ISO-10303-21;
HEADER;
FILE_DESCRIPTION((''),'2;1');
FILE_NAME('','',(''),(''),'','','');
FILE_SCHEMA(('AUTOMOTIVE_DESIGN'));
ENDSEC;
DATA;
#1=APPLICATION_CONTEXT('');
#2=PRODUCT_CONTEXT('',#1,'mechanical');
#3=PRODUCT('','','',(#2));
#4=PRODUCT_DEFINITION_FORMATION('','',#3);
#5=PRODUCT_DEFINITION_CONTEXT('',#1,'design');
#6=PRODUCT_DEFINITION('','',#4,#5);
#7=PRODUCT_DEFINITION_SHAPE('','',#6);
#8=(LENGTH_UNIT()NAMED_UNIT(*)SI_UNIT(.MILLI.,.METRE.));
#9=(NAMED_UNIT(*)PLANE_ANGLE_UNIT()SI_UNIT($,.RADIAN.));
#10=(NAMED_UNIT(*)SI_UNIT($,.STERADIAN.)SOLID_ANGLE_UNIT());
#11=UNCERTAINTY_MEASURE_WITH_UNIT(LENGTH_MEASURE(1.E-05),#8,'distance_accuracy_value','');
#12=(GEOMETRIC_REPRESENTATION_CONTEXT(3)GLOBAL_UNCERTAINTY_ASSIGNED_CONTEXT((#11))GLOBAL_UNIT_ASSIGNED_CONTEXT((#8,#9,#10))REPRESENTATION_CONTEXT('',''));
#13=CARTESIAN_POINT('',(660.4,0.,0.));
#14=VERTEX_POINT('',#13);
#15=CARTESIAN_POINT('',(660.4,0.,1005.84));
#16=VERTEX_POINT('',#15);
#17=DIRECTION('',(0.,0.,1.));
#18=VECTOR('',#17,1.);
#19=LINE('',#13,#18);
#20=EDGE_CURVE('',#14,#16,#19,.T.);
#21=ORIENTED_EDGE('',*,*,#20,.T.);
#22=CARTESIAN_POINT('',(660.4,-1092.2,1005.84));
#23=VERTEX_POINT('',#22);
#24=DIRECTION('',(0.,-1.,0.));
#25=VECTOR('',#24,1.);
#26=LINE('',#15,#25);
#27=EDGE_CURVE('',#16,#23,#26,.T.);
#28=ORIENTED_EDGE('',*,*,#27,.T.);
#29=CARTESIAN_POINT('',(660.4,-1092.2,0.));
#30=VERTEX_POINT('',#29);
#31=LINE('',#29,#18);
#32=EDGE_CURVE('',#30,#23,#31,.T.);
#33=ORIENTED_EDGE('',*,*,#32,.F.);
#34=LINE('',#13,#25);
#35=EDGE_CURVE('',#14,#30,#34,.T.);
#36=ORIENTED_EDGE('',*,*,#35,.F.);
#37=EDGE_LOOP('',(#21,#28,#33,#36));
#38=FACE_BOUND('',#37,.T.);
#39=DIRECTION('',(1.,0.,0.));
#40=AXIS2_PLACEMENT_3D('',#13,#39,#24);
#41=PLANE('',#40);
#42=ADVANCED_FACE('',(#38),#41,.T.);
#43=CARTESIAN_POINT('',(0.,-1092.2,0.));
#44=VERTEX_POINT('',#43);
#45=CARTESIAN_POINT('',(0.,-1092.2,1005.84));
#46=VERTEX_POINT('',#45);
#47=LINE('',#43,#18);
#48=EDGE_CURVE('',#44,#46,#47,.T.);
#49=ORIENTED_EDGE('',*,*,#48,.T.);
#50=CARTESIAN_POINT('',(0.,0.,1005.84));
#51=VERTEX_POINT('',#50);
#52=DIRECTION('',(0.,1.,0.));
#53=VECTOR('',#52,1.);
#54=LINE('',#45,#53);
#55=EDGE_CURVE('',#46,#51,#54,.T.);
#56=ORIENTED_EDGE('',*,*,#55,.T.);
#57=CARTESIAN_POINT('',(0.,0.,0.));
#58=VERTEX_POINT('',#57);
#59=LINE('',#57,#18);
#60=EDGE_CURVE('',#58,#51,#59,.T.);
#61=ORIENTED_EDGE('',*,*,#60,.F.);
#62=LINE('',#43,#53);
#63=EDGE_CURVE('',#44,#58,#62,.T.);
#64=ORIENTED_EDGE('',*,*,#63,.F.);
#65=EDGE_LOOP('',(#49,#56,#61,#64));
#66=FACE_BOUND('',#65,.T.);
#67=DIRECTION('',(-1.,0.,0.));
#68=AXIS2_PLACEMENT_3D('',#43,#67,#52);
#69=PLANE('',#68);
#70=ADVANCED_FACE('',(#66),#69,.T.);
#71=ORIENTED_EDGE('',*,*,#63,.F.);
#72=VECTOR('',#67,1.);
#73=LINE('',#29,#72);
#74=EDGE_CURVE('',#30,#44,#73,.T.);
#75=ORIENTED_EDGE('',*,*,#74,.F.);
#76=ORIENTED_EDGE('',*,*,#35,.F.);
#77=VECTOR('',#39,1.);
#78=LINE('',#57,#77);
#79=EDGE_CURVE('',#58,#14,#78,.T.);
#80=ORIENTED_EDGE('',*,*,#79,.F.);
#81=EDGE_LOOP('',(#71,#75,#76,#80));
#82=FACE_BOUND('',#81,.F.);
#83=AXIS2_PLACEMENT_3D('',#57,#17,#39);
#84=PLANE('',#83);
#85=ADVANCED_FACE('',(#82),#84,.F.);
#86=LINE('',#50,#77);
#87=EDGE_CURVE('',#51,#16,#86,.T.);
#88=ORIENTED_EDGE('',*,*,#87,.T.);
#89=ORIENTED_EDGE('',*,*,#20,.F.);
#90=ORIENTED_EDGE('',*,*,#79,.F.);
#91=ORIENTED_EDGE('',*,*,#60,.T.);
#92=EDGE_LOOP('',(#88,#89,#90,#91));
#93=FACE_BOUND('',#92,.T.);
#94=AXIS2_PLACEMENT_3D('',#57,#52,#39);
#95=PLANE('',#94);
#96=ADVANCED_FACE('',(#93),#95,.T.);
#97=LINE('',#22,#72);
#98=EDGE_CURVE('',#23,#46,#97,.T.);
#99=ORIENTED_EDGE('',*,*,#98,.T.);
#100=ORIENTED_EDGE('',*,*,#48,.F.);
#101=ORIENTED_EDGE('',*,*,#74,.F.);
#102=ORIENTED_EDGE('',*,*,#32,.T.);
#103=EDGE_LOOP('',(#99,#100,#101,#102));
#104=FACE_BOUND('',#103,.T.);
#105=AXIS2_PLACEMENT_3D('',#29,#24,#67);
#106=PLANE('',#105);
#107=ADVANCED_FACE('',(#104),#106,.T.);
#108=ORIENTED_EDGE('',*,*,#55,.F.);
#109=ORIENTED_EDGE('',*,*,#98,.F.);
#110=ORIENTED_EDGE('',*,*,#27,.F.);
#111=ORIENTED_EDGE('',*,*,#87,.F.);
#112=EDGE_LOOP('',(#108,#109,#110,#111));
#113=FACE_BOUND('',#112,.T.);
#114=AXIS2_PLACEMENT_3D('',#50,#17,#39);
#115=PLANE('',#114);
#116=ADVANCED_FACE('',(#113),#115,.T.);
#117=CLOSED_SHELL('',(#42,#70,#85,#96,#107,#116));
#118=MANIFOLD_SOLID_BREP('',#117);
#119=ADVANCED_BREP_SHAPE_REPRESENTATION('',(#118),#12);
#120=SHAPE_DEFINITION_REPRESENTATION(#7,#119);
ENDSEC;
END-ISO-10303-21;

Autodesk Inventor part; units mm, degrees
ref_plane "YZ Plane" through (0, 0, 0) normal (1, 0, 0) x (0, 1, 0)
ref_plane "XZ Plane" through (0, 0, 0) normal (0, 1, 0) x (-1, 0, 0)
ref_plane "XY Plane" through (0, 0, 0) normal (0, 0, 1) x (1, 0, 0)
sketch "Sketch1" plane through (0, 0, 0) normal (0, 0, 1) x (1, 0, 0)
  point P0 (0, 0)
sketch "Sketch2" plane through (0, 0, 0) normal (0, 0, 1) x (1, 0, 0)
  line L0 (0, 0) -> (660.4, 0)
  line L1 (660.4, 0) -> (660.4, -1092.2)
  line L2 (660.4, -1092.2) -> (0, -1092.2)
  line L3 (0, -1092.2) -> (0, 0)
  dimension "d0" = 1092.2
  dimension "d1" = 660.4
extrude "Extrusion1" add sketch "Sketch2" along normal blind 1005.84
properties part number "Opto-Anand"
